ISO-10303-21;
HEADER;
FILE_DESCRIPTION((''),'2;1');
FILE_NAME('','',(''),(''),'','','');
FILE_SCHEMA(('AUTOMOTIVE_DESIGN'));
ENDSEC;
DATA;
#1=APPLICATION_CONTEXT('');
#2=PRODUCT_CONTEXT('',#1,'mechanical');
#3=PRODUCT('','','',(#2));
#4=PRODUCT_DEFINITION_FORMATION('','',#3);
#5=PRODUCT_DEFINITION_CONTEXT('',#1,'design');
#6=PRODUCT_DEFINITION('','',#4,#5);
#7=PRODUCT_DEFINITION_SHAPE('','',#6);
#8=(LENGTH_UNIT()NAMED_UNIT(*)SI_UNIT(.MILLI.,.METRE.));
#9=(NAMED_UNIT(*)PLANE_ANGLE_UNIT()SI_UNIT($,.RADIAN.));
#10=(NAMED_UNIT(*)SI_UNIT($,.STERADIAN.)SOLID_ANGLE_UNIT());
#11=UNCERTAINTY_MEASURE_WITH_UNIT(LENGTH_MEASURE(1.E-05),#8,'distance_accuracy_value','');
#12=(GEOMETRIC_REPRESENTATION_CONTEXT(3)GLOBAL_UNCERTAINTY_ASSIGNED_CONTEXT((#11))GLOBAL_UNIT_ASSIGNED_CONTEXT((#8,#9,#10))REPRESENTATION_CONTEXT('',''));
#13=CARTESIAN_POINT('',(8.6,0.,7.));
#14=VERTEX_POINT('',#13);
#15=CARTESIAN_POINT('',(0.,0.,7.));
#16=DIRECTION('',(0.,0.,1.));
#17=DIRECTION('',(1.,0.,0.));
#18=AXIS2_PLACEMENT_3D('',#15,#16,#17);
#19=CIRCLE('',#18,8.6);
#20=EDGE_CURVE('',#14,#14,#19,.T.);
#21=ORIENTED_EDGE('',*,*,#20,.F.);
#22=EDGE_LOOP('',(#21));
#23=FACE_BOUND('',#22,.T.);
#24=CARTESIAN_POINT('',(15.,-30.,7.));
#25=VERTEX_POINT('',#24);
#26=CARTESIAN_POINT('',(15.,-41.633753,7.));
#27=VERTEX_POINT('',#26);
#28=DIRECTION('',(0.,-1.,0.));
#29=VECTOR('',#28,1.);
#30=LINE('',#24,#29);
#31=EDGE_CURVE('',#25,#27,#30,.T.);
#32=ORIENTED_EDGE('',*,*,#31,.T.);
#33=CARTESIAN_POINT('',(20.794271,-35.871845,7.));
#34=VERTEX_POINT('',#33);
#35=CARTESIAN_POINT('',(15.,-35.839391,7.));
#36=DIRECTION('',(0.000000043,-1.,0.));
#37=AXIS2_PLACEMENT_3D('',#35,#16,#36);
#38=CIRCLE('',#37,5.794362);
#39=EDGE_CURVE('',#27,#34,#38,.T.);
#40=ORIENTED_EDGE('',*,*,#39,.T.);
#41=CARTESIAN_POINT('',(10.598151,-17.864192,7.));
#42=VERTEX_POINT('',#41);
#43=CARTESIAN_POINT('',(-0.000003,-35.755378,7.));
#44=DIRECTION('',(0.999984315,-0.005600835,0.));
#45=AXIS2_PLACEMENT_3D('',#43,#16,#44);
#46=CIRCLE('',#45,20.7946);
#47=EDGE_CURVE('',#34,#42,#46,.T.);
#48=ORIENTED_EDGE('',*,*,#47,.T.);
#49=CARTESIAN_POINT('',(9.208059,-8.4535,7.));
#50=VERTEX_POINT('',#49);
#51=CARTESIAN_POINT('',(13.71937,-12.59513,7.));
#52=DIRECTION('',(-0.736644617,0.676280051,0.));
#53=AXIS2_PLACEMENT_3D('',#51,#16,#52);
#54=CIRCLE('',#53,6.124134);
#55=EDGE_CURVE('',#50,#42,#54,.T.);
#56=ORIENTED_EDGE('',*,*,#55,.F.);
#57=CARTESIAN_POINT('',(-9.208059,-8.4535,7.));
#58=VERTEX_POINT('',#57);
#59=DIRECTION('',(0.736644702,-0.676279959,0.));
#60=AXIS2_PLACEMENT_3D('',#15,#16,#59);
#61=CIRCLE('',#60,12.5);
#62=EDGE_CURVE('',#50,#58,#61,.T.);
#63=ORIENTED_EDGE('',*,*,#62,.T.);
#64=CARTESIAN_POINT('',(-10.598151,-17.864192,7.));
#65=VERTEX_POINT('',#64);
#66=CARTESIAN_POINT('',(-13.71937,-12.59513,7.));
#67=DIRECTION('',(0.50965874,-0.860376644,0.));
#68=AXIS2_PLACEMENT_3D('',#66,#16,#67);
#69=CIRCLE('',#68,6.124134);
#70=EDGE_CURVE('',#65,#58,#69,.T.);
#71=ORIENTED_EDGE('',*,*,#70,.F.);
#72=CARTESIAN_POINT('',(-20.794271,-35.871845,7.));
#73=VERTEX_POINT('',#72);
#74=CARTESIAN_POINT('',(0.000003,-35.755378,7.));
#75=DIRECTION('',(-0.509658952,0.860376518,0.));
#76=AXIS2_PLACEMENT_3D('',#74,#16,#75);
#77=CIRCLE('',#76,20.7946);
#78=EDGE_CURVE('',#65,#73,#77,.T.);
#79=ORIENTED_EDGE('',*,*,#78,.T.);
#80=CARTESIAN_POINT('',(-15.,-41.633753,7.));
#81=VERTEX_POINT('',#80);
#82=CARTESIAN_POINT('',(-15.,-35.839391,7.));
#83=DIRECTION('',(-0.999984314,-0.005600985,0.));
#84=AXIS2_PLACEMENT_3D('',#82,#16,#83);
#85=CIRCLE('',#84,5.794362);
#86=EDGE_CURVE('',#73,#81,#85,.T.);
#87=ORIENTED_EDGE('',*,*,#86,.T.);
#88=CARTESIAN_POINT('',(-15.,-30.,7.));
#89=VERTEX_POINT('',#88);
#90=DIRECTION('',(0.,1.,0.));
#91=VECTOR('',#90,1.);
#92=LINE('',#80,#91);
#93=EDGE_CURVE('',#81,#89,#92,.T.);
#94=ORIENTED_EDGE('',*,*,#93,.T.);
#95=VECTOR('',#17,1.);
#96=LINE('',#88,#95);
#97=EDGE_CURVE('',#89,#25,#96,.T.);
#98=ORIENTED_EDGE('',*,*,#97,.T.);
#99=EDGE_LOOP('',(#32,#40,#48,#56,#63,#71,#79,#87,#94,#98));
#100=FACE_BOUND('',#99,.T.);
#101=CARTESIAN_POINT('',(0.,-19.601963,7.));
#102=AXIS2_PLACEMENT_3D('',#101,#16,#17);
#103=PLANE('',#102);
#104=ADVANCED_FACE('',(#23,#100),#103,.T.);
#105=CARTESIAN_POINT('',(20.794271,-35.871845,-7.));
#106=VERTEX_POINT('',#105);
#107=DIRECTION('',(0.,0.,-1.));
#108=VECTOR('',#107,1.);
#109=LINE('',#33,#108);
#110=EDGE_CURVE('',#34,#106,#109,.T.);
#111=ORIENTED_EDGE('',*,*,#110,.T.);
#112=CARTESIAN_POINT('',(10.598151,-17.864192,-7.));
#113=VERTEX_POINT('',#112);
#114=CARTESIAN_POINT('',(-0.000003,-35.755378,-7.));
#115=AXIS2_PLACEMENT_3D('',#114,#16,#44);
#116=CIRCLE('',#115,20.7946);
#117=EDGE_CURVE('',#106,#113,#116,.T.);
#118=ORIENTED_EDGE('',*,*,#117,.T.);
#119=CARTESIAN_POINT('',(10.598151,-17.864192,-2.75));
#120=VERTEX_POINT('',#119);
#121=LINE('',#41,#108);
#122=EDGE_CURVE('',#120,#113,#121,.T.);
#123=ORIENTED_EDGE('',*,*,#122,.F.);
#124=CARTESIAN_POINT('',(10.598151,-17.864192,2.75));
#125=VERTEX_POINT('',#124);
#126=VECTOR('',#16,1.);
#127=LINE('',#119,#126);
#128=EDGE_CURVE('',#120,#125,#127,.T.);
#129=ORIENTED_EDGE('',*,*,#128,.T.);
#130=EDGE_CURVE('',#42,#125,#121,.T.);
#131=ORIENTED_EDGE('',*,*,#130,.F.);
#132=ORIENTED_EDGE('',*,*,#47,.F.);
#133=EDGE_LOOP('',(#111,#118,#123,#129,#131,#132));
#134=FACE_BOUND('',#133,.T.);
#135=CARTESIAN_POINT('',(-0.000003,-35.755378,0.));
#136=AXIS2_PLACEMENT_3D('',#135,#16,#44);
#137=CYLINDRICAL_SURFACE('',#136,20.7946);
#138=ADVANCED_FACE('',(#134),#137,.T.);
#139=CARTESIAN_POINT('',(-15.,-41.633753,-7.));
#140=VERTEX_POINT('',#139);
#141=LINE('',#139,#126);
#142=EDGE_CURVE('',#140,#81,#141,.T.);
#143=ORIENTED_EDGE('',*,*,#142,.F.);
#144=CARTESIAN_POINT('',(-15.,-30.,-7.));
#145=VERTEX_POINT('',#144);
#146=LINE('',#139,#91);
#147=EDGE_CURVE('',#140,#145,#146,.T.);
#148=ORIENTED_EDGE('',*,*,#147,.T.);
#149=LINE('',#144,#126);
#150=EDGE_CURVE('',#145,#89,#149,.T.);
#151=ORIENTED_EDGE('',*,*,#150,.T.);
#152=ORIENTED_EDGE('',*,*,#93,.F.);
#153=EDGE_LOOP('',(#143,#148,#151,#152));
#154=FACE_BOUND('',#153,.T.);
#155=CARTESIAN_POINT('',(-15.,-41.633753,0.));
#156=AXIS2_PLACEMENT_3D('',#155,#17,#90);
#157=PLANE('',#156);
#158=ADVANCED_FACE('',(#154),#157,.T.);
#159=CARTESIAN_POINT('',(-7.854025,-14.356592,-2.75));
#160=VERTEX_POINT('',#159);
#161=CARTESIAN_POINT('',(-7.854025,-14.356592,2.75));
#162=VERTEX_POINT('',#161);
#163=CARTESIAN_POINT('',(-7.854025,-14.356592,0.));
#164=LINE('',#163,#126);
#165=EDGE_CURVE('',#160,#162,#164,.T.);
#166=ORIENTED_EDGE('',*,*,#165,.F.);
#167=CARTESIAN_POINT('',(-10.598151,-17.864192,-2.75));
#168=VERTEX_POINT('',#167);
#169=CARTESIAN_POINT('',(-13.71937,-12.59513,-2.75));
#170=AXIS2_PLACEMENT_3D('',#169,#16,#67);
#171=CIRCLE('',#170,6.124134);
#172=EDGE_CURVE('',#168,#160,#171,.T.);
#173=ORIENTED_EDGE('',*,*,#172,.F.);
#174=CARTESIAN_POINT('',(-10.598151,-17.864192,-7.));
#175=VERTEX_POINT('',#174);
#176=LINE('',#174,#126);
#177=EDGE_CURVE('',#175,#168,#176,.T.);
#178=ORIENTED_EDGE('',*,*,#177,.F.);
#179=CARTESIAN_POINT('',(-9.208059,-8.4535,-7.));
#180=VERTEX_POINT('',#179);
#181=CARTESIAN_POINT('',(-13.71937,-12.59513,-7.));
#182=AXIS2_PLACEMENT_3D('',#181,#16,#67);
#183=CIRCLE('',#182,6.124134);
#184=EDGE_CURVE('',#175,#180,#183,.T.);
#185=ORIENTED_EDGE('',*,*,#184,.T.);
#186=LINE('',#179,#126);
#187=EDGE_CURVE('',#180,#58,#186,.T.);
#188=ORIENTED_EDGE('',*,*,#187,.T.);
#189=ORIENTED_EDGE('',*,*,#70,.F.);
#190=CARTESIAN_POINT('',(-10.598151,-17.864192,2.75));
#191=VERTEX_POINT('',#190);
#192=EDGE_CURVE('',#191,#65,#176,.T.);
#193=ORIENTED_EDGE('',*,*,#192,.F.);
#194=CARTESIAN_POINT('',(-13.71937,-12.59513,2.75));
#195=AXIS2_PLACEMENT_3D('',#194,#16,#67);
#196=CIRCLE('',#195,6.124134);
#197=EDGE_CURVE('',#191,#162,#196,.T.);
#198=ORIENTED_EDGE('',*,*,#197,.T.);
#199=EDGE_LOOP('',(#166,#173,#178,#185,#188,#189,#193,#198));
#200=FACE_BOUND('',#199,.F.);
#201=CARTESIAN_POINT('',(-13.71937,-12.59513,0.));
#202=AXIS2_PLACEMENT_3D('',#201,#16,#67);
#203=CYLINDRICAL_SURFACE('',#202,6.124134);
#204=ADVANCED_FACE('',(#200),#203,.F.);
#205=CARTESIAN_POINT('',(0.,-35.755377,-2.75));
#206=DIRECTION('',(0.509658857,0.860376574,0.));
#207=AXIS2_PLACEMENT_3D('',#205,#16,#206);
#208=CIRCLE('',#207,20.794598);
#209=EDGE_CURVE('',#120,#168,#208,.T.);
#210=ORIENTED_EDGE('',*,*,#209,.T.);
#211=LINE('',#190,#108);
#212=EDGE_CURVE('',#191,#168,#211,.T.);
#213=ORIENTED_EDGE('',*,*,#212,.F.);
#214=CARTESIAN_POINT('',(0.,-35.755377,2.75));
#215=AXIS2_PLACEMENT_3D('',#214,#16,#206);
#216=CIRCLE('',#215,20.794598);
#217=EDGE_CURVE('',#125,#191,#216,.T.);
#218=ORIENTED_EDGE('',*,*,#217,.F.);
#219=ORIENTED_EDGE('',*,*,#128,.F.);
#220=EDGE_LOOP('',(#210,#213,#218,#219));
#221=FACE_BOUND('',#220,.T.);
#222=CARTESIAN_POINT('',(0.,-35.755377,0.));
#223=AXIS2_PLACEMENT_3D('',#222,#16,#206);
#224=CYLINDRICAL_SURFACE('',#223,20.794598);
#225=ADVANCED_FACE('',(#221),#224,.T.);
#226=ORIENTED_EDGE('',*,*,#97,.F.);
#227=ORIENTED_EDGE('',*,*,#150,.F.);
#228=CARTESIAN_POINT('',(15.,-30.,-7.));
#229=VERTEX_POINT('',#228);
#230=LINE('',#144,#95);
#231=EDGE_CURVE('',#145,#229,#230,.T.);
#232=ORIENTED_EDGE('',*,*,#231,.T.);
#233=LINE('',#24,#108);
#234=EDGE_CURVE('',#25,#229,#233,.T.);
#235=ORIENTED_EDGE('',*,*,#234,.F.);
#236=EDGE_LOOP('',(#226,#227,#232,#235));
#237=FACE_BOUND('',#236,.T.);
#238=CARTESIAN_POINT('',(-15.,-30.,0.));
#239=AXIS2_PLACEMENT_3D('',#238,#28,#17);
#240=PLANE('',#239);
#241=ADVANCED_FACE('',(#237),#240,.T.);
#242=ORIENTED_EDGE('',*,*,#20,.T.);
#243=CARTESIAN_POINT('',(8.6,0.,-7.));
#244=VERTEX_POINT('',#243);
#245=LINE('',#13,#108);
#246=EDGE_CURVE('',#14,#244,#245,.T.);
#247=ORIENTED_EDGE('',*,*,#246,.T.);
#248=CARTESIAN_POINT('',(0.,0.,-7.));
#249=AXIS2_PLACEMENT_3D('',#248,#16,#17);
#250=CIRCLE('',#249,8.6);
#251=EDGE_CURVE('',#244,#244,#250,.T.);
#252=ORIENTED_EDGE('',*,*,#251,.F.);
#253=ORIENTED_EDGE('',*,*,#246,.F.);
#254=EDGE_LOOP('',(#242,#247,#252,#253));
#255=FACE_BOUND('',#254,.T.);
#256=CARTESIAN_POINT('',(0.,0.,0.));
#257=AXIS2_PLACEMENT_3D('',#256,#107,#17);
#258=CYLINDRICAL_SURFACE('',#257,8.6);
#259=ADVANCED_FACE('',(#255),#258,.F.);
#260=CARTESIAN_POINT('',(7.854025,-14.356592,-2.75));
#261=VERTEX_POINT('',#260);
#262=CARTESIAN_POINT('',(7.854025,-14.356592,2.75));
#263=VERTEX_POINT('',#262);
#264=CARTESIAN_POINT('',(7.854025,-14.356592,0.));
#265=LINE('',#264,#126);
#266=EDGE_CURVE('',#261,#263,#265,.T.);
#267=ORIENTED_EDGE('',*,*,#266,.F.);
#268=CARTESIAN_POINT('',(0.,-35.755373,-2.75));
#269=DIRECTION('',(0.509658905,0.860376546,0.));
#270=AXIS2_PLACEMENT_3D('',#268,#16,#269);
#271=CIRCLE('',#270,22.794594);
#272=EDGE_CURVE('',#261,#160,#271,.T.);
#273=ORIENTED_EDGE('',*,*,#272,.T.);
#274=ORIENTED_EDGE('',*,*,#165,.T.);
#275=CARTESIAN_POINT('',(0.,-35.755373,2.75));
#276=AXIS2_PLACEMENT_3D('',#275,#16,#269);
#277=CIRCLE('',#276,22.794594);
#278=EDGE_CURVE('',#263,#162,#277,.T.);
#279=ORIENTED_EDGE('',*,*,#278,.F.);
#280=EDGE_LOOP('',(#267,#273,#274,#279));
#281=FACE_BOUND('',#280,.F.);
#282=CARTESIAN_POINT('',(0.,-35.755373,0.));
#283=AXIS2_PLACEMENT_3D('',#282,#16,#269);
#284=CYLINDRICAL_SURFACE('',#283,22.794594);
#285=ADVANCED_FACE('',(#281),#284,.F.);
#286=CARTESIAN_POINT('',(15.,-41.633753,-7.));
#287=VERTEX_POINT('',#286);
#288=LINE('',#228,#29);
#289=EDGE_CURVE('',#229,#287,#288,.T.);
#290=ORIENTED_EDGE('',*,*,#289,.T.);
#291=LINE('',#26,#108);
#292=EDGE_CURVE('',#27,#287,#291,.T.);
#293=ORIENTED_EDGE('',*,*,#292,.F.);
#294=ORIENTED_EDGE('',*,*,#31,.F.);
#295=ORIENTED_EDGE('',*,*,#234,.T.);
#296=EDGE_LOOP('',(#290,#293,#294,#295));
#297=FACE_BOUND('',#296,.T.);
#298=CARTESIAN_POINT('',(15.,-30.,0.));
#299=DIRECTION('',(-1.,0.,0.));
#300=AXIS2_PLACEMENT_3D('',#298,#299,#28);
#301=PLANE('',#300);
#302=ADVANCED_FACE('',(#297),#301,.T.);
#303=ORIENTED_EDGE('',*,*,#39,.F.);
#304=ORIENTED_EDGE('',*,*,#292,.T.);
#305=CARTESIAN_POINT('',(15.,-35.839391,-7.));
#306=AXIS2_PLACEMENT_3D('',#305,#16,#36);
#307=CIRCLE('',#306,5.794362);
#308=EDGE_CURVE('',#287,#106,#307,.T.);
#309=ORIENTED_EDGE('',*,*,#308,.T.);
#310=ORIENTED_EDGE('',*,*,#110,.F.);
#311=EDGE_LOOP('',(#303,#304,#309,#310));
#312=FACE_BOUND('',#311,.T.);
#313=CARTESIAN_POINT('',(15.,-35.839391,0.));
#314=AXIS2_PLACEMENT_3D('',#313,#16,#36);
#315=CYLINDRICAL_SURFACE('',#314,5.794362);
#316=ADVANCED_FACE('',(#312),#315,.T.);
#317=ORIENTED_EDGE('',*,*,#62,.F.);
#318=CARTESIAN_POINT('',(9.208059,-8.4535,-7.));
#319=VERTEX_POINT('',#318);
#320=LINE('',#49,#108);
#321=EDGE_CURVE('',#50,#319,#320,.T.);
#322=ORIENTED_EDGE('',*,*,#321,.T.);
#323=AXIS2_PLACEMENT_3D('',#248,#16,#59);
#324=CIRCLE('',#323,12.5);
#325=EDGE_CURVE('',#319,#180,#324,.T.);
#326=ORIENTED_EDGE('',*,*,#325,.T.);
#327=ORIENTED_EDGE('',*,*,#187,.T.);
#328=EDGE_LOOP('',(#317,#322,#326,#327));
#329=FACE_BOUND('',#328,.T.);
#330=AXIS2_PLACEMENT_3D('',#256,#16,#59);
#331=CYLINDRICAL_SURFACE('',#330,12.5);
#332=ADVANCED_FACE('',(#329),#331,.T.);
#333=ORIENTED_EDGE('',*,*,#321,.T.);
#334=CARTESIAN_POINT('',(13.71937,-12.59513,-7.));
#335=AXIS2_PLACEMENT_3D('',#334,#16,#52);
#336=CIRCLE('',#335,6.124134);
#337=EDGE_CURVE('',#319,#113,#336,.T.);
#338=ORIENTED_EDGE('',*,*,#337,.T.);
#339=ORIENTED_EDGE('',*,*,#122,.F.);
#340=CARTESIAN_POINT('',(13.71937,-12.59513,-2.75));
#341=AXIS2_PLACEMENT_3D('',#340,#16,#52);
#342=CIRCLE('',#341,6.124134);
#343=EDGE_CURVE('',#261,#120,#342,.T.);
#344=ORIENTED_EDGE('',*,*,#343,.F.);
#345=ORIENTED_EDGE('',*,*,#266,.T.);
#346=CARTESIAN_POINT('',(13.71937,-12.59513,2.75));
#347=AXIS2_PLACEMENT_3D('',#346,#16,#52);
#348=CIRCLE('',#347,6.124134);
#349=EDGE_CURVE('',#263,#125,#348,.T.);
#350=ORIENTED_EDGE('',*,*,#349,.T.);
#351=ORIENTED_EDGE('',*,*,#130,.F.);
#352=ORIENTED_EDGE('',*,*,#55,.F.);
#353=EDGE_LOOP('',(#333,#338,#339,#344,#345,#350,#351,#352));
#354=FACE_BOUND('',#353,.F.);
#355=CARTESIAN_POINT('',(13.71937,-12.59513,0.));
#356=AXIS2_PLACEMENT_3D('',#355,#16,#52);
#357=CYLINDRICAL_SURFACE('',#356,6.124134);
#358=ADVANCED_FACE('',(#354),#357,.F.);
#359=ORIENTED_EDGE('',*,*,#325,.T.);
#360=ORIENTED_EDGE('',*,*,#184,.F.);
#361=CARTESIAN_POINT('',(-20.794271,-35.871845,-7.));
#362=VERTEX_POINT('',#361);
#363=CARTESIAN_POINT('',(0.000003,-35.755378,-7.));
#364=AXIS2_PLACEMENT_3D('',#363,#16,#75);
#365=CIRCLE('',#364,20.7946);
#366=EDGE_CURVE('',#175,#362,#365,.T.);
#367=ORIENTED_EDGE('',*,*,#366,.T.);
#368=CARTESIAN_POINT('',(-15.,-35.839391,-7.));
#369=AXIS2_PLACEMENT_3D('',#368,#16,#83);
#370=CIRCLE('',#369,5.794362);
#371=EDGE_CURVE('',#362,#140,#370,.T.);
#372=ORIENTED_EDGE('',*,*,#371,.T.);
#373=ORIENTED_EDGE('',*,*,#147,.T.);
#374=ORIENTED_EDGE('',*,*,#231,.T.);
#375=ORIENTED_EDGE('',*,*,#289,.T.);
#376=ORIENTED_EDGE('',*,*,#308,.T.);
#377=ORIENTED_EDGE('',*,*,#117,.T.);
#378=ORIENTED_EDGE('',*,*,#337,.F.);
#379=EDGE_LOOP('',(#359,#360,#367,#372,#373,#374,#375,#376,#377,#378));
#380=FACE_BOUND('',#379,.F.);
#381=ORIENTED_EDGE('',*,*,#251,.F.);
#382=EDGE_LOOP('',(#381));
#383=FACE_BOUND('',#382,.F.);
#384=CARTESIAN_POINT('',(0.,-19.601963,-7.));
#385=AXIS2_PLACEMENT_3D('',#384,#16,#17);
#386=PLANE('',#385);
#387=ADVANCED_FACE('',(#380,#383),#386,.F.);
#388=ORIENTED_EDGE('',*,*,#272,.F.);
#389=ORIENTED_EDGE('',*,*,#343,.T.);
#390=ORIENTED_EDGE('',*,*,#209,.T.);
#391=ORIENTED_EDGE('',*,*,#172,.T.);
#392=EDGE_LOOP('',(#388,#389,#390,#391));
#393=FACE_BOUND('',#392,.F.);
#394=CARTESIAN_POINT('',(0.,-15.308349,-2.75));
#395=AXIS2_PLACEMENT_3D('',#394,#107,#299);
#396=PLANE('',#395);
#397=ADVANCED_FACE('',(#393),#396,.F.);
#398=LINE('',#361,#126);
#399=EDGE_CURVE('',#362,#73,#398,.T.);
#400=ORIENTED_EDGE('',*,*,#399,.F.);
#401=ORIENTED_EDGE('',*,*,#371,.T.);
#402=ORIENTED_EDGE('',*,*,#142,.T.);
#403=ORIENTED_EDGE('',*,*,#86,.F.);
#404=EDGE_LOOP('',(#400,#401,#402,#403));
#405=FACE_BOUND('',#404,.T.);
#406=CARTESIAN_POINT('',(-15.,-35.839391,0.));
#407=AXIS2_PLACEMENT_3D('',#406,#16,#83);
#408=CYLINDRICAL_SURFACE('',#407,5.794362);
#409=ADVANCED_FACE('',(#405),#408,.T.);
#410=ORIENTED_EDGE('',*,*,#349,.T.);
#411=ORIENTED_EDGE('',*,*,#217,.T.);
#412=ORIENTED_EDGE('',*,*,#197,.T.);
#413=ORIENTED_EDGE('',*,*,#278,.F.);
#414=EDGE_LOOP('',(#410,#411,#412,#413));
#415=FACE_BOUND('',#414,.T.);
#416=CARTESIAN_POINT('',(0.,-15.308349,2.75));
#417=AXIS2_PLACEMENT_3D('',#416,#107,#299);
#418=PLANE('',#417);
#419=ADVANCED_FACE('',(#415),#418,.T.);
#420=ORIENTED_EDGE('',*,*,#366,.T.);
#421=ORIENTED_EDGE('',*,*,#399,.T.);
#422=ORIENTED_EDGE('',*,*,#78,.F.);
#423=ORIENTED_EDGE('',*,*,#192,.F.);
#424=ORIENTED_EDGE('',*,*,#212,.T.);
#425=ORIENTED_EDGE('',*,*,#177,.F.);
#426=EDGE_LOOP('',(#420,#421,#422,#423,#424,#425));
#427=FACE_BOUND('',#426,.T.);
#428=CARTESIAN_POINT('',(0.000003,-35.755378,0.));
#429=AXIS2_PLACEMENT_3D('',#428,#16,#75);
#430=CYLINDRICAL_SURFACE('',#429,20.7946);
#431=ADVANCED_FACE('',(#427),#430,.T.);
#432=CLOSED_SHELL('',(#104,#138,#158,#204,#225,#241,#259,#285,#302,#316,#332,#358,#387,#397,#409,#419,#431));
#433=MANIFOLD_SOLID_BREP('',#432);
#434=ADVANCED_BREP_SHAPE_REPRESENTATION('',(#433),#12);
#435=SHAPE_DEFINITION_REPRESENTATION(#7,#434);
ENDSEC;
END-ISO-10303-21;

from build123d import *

# Parameters (mm, degrees)
SKETCH_R     = 8.6
PAD_DEPTH    = 7
POCKET_DEPTH = 2.75


with BuildPart() as part:
    # Sketch → Pad (new body, symmetric)
    with BuildSketch(Plane.XY):
        with BuildLine():
            ThreePointArc((9.208059, -8.4535), (0, 12.5), (-9.208059, -8.4535))
            ThreePointArc((-10.598151, -17.864192), (-7.660974, -13.49004), (-9.208059, -8.4535))
            ThreePointArc((-10.598151, -17.864192), (-18.095301, -25.509629), (-20.794271, -35.871845))
            ThreePointArc((-20.794271, -35.871845), (-19.085742, -39.948082), (-15, -41.633753))
            Line((-15, -41.633753), (-15, -30))
            Line((-15, -30), (15, -30))
            Line((15, -30), (15, -41.633753))
            ThreePointArc((15, -41.633753), (19.085742, -39.948082), (20.794271, -35.871845))
            ThreePointArc((20.794271, -35.871845), (18.095301, -25.509629), (10.598151, -17.864192))
            ThreePointArc((9.208059, -8.4535), (7.660974, -13.49004), (10.598151, -17.864192))
        make_face()
        Circle(SKETCH_R, mode=Mode.SUBTRACT)
    extrude(amount=PAD_DEPTH, both=True)

    # Sketch001 → Pocket (cut, symmetric)
    with BuildSketch(Plane.XY):
        with BuildLine():
            ThreePointArc((10.598151, -17.864192), (0, -14.960779), (-10.598151, -17.864192))
            Line((-11.617468, -16.143439), (-10.598151, -17.864192))
            ThreePointArc((11.617468, -16.143439), (0, -12.960779), (-11.617468, -16.143439))
            Line((11.617468, -16.143439), (10.598151, -17.864192))
        make_face()
    extrude(amount=POCKET_DEPTH, both=True, mode=Mode.SUBTRACT)


solid = part.part
